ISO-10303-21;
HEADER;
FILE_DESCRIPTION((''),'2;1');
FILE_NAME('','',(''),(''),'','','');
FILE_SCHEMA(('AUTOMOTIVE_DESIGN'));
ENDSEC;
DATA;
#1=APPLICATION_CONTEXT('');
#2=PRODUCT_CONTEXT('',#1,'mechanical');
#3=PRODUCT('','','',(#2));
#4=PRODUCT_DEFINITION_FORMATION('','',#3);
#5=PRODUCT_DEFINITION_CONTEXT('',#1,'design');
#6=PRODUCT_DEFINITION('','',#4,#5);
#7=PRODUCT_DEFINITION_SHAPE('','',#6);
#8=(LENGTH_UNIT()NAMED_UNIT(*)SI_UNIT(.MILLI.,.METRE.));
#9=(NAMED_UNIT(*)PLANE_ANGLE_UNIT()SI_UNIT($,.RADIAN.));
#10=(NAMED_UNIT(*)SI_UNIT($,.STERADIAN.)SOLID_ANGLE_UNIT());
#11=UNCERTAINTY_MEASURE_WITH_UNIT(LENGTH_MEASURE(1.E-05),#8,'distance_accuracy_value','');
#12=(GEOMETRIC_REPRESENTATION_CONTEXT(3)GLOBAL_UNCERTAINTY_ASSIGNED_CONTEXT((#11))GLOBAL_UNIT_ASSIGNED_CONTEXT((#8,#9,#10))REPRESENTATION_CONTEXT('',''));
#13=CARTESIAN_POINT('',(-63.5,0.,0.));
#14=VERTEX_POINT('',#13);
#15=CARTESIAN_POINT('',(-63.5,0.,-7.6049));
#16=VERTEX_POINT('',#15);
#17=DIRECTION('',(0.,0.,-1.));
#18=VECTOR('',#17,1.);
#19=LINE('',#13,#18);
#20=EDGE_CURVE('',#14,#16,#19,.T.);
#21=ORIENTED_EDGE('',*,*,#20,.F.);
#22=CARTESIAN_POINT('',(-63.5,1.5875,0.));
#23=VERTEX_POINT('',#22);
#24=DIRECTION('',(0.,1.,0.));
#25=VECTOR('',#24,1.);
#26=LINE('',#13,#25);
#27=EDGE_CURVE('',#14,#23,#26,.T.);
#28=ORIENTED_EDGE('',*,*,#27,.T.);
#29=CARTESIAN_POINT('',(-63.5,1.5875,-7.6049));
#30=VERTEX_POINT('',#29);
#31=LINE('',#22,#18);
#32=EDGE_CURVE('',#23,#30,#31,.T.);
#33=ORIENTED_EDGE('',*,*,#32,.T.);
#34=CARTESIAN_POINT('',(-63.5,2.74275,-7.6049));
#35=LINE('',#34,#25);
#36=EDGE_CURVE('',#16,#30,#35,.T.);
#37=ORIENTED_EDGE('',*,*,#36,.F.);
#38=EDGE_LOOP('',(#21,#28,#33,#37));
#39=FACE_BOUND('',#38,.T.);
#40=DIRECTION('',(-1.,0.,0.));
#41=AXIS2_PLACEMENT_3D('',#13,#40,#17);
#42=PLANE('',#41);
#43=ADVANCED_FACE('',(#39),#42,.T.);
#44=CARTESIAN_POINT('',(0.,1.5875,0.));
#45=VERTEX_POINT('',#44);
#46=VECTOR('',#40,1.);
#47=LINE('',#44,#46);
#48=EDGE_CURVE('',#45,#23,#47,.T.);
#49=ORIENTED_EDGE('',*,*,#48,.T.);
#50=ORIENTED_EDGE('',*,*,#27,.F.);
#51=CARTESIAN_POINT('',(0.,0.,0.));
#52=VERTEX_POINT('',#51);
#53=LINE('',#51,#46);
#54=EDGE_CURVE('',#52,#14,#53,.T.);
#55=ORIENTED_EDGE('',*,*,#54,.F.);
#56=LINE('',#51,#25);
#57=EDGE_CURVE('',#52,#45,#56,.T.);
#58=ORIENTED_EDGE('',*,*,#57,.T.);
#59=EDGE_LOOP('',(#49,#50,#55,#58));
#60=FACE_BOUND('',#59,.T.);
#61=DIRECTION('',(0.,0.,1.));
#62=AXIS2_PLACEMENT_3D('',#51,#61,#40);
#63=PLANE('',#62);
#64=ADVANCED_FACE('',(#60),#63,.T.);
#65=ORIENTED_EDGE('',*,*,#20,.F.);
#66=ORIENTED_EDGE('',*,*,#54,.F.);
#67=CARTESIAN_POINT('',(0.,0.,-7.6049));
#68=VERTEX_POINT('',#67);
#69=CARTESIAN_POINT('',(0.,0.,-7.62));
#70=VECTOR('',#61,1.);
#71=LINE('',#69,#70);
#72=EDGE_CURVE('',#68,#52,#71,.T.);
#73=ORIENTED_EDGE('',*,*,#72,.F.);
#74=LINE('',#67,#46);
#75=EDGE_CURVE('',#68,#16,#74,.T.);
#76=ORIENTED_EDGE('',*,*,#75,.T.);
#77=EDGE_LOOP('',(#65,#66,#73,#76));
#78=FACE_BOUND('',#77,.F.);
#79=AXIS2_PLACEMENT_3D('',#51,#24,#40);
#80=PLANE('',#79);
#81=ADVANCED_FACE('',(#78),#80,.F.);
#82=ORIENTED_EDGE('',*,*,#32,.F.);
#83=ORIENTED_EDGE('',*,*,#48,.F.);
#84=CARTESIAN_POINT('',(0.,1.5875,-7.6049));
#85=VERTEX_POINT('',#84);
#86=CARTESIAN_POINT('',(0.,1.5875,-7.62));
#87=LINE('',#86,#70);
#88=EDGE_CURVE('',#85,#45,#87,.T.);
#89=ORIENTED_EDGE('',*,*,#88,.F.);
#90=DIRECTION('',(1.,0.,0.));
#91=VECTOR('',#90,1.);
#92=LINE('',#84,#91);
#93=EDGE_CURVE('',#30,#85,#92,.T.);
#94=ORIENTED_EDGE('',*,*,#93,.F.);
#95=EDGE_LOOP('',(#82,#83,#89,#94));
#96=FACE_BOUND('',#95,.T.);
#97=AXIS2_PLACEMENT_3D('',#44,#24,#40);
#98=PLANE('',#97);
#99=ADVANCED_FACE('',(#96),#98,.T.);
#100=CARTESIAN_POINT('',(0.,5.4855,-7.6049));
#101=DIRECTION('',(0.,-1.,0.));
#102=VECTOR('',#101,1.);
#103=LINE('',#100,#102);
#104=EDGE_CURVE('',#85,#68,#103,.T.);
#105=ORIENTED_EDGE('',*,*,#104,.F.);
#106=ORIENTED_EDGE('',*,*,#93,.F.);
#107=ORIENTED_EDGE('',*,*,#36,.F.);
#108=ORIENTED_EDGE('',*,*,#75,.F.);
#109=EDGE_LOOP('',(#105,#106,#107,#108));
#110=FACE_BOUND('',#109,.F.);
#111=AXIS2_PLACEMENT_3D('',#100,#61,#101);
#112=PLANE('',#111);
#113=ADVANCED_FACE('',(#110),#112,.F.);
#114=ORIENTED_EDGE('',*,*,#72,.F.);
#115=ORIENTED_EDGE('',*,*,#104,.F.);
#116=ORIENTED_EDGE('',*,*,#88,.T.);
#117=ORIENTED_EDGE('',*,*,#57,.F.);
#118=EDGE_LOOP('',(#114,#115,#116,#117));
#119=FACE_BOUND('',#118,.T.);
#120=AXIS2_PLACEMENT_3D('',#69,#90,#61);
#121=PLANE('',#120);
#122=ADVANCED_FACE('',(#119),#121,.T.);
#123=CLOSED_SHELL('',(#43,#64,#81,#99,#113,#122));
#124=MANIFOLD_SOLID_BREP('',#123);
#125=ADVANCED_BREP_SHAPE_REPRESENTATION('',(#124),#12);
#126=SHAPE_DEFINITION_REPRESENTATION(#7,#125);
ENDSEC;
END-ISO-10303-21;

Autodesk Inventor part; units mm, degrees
ref_plane "YZ Plane" through (0, 0, 0) normal (1, 0, 0) x (0, 1, 0)
ref_plane "XZ Plane" through (0, 0, 0) normal (0, 1, 0) x (-1, 0, 0)
ref_plane "XY Plane" through (0, 0, 0) normal (0, 0, 1) x (1, 0, 0)
sketch "Sketch1" plane through (0, 0, 0) normal (0, 1, 0) x (-1, 0, 0)
  line L0 (0, 0) -> (63.5, 0)
  line L1 (63.5, 0) -> (63.5, -7.62)
  line L2 (63.5, -7.62) -> (0, -7.62)
  line L3 (0, -7.62) -> (0, 0)
  dimension "d0" = 7.62
  dimension "d1" = 63.5
extrude "Extrusion1" add sketch "Sketch1" along normal blind 1.5875
ref_plane "Work Plane1" through (-63.5, 0, -3.81) normal (0, 0, 1) x (1, 0, 0)
sketch "Sketch2" plane through (-63.5, 0, -3.81) normal (0, 0, 1) x (1, 0, 0)
  line L0 (61.7107, 1.5875) -> (61.7107, -0.5013)
  line L1 (61.7619, 1.5875) -> (63.5, 1.5875)
  arc A0 (63.5, 1.5875) -> (57.4176, 4.8744) centre (57.4576, -2.3227) ccw
  line L2 (57.4176, 4.8744) -> (57.4176, 1.5875)
  line L3 (57.4176, 1.5875) -> (63.5, 1.5875)
  point P0 (63.5, 0)
revolve "Revolution1" [suppressed]
sketch "Sketch3" plane through (0, 0, 0) normal (1, 0, 0) x (0, 0, -1)
  line L0 (0, 0) -> (-3.2276, 0)
  line L1 (-3.2276, 0) -> (-3.2276, 6.1227)
  line L2 (-3.2276, 6.1227) -> (0, 6.1227)
  line L3 (0, 6.1227) -> (0, 0)
  line L4 (7.6049, 0) -> (10.3754, 0)
  line L5 (10.3754, 0) -> (10.3754, 5.4855)
  line L6 (10.3754, 5.4855) -> (7.6049, 5.4855)
  line L7 (7.6049, 5.4855) -> (7.6049, 0)
extrude "Extrusion2" cut sketch "Sketch3" against normal through all
properties part number "strain sensor silicone"
